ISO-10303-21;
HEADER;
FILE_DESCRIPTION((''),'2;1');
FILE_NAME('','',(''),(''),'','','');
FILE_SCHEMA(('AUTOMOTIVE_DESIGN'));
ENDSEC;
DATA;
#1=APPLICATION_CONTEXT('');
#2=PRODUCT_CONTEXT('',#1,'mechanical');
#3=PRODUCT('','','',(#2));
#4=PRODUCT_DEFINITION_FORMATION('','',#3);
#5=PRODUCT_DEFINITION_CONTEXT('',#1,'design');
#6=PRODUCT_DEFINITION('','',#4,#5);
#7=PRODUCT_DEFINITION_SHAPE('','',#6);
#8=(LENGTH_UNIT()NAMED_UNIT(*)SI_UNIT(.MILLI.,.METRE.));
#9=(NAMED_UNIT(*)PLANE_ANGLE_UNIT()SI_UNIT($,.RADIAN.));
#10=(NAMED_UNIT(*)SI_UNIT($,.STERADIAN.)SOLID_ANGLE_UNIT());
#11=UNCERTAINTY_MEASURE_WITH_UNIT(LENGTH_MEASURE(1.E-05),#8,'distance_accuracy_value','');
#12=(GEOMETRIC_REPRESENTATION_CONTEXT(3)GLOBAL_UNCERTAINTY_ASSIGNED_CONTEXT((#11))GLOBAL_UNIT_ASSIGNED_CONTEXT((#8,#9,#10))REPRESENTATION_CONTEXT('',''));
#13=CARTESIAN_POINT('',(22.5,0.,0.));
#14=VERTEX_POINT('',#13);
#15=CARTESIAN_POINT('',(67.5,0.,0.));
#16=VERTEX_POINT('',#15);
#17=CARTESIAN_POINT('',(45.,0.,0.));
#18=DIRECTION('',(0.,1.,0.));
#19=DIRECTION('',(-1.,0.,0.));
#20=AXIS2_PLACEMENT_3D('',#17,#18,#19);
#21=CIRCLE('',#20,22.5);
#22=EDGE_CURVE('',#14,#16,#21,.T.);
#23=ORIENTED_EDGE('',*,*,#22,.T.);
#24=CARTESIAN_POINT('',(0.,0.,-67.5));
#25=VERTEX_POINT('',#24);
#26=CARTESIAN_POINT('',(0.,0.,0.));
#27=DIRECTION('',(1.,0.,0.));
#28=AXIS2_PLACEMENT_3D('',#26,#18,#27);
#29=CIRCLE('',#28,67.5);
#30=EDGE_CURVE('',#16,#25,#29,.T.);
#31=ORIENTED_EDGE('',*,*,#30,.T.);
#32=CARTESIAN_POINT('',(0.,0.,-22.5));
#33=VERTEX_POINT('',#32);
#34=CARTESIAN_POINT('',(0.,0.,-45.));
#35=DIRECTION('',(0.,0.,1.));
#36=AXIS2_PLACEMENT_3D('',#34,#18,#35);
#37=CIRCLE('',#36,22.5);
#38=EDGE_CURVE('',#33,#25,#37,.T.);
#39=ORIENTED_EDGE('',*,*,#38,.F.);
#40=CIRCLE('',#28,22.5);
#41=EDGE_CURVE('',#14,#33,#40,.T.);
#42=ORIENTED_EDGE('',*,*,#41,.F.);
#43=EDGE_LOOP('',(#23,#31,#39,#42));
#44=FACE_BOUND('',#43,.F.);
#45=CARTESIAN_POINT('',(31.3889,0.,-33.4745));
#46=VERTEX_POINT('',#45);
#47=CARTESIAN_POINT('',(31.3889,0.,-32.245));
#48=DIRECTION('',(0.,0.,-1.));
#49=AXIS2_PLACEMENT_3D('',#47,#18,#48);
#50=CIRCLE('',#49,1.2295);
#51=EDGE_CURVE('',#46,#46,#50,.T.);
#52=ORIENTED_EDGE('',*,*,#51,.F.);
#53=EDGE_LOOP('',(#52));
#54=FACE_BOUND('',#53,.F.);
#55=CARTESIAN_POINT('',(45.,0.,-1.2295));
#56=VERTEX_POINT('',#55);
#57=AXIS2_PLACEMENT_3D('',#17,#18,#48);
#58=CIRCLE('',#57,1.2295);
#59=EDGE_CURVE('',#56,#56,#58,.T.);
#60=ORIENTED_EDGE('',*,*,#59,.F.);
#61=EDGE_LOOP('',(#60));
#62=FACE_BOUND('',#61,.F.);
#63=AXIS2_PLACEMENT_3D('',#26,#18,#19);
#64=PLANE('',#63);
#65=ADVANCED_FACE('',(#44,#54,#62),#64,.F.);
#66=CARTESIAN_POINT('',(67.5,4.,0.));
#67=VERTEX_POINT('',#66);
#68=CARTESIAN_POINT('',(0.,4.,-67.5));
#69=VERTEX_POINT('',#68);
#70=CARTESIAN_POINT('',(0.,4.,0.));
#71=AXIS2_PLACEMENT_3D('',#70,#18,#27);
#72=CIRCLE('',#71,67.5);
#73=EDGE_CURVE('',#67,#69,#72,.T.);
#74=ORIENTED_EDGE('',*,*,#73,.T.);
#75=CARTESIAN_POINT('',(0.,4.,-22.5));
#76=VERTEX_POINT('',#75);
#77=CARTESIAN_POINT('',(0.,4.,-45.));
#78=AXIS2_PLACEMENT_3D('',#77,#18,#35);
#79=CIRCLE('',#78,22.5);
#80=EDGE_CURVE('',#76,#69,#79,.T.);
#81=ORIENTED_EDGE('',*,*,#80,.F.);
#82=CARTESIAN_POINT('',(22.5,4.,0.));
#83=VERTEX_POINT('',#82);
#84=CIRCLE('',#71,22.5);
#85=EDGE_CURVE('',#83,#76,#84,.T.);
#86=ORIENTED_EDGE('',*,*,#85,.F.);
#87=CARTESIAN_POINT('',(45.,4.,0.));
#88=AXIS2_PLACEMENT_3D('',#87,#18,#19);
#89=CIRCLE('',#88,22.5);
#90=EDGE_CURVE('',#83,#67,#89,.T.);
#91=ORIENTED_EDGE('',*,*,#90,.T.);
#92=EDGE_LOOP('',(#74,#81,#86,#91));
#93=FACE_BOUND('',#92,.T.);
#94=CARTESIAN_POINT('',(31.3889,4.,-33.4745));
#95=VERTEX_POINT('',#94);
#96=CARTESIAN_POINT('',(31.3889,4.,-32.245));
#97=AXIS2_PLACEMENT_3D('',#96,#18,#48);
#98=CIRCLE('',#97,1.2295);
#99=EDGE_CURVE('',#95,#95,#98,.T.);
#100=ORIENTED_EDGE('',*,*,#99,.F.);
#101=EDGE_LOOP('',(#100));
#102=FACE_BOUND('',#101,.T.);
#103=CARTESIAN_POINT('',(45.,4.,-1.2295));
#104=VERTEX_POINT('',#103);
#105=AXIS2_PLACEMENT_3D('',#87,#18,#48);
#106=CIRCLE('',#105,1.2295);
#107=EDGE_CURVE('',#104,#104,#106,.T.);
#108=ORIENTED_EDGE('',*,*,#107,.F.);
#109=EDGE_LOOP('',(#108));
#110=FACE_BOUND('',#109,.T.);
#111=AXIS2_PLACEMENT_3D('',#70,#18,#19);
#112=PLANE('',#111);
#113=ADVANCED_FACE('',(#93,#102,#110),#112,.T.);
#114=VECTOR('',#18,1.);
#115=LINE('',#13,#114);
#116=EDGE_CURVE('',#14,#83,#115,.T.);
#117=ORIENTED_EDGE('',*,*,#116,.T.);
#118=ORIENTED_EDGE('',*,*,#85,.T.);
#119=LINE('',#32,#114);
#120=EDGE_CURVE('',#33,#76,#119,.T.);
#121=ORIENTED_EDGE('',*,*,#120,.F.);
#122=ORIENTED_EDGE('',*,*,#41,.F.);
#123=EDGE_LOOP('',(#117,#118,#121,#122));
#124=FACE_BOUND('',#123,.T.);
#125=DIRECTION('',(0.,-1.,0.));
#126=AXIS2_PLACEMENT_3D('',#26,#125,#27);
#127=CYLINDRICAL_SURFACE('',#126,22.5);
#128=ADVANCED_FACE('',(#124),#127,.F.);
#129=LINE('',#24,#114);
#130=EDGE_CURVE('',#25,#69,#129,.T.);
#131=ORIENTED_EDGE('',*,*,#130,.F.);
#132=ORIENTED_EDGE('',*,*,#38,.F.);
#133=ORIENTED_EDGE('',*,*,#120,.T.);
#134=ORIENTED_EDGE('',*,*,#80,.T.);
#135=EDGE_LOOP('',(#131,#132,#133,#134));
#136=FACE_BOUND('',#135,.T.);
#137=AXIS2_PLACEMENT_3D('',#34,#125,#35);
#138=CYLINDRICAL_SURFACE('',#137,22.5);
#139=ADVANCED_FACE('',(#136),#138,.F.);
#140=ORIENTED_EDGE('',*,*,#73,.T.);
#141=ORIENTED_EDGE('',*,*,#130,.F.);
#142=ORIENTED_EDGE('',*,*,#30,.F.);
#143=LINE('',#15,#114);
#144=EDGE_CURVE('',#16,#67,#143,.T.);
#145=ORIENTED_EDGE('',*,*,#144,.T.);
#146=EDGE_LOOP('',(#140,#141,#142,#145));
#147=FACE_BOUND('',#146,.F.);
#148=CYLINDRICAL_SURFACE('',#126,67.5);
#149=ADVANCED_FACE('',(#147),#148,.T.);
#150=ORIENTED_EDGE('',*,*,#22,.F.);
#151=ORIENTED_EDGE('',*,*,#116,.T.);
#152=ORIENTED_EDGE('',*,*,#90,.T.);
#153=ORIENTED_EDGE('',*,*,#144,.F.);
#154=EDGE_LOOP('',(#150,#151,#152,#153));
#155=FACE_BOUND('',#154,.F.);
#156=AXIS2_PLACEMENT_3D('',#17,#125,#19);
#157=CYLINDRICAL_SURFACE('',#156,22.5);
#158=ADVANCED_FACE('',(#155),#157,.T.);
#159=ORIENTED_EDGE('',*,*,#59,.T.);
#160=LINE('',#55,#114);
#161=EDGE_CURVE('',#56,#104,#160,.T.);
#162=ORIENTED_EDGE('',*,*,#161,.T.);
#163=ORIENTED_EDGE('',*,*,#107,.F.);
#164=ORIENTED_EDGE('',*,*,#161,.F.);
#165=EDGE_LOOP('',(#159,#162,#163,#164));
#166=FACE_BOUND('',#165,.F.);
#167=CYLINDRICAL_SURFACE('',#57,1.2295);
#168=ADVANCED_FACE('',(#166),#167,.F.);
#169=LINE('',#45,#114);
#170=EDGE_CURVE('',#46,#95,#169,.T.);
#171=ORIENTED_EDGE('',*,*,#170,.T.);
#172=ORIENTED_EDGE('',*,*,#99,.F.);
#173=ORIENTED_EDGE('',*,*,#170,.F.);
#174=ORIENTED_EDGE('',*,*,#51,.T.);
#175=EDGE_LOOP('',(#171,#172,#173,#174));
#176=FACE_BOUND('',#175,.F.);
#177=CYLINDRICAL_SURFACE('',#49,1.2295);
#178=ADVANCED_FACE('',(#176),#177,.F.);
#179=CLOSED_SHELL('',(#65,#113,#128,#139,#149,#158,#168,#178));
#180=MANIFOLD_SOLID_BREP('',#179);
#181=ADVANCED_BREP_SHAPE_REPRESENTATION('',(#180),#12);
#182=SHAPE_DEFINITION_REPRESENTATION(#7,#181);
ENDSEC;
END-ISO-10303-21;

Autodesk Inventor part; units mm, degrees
ref_plane "YZ Plane" through (0, 0, 0) normal (1, 0, 0) x (0, 1, 0)
ref_plane "XZ Plane" through (0, 0, 0) normal (0, 1, 0) x (-1, 0, 0)
ref_plane "XY Plane" through (0, 0, 0) normal (0, 0, 1) x (1, 0, 0)
sketch "草圖1" plane through (0, 0, 0) normal (0, 1, 0) x (-1, 0, 0)
  arc A0 (-45, 0) -> (0, -45) centre (0, 0) ccw construction
  arc A1 (-67.5, 0) -> (0, -67.5) centre (0, 0) ccw
  arc A2 (-22.5, 0) -> (0, -22.5) centre (0, 0) ccw
  arc A3 (-22.5, 0) -> (-67.5, 0) centre (-45, 0) ccw
  arc A4 (0, -22.5) -> (0, -67.5) centre (0, -45) ccw
  dimension "d1" = 45
  dimension "d3" = 22.5
extrude "擠出1" add sketch "草圖1" along normal blind 4
sketch "草圖3" plane through (0, 0, 0) normal (0, -1, 0) x (1, 0, 0)
  arc A0 (0, -45) -> (45, 0) centre (0, 0) ccw construction
  line L0 (45, 0) -> (31.3889, -32.245)
  dimension "d7" = 35
hole "孔1" at (45, 0, 0) at (31.3889, 0, -32.245) direction (0, 1, 0) diameter 2.459 end through all thread size "M3x0.5" class "6H" standard "ISO Metric profile"
properties part number "A0004"
